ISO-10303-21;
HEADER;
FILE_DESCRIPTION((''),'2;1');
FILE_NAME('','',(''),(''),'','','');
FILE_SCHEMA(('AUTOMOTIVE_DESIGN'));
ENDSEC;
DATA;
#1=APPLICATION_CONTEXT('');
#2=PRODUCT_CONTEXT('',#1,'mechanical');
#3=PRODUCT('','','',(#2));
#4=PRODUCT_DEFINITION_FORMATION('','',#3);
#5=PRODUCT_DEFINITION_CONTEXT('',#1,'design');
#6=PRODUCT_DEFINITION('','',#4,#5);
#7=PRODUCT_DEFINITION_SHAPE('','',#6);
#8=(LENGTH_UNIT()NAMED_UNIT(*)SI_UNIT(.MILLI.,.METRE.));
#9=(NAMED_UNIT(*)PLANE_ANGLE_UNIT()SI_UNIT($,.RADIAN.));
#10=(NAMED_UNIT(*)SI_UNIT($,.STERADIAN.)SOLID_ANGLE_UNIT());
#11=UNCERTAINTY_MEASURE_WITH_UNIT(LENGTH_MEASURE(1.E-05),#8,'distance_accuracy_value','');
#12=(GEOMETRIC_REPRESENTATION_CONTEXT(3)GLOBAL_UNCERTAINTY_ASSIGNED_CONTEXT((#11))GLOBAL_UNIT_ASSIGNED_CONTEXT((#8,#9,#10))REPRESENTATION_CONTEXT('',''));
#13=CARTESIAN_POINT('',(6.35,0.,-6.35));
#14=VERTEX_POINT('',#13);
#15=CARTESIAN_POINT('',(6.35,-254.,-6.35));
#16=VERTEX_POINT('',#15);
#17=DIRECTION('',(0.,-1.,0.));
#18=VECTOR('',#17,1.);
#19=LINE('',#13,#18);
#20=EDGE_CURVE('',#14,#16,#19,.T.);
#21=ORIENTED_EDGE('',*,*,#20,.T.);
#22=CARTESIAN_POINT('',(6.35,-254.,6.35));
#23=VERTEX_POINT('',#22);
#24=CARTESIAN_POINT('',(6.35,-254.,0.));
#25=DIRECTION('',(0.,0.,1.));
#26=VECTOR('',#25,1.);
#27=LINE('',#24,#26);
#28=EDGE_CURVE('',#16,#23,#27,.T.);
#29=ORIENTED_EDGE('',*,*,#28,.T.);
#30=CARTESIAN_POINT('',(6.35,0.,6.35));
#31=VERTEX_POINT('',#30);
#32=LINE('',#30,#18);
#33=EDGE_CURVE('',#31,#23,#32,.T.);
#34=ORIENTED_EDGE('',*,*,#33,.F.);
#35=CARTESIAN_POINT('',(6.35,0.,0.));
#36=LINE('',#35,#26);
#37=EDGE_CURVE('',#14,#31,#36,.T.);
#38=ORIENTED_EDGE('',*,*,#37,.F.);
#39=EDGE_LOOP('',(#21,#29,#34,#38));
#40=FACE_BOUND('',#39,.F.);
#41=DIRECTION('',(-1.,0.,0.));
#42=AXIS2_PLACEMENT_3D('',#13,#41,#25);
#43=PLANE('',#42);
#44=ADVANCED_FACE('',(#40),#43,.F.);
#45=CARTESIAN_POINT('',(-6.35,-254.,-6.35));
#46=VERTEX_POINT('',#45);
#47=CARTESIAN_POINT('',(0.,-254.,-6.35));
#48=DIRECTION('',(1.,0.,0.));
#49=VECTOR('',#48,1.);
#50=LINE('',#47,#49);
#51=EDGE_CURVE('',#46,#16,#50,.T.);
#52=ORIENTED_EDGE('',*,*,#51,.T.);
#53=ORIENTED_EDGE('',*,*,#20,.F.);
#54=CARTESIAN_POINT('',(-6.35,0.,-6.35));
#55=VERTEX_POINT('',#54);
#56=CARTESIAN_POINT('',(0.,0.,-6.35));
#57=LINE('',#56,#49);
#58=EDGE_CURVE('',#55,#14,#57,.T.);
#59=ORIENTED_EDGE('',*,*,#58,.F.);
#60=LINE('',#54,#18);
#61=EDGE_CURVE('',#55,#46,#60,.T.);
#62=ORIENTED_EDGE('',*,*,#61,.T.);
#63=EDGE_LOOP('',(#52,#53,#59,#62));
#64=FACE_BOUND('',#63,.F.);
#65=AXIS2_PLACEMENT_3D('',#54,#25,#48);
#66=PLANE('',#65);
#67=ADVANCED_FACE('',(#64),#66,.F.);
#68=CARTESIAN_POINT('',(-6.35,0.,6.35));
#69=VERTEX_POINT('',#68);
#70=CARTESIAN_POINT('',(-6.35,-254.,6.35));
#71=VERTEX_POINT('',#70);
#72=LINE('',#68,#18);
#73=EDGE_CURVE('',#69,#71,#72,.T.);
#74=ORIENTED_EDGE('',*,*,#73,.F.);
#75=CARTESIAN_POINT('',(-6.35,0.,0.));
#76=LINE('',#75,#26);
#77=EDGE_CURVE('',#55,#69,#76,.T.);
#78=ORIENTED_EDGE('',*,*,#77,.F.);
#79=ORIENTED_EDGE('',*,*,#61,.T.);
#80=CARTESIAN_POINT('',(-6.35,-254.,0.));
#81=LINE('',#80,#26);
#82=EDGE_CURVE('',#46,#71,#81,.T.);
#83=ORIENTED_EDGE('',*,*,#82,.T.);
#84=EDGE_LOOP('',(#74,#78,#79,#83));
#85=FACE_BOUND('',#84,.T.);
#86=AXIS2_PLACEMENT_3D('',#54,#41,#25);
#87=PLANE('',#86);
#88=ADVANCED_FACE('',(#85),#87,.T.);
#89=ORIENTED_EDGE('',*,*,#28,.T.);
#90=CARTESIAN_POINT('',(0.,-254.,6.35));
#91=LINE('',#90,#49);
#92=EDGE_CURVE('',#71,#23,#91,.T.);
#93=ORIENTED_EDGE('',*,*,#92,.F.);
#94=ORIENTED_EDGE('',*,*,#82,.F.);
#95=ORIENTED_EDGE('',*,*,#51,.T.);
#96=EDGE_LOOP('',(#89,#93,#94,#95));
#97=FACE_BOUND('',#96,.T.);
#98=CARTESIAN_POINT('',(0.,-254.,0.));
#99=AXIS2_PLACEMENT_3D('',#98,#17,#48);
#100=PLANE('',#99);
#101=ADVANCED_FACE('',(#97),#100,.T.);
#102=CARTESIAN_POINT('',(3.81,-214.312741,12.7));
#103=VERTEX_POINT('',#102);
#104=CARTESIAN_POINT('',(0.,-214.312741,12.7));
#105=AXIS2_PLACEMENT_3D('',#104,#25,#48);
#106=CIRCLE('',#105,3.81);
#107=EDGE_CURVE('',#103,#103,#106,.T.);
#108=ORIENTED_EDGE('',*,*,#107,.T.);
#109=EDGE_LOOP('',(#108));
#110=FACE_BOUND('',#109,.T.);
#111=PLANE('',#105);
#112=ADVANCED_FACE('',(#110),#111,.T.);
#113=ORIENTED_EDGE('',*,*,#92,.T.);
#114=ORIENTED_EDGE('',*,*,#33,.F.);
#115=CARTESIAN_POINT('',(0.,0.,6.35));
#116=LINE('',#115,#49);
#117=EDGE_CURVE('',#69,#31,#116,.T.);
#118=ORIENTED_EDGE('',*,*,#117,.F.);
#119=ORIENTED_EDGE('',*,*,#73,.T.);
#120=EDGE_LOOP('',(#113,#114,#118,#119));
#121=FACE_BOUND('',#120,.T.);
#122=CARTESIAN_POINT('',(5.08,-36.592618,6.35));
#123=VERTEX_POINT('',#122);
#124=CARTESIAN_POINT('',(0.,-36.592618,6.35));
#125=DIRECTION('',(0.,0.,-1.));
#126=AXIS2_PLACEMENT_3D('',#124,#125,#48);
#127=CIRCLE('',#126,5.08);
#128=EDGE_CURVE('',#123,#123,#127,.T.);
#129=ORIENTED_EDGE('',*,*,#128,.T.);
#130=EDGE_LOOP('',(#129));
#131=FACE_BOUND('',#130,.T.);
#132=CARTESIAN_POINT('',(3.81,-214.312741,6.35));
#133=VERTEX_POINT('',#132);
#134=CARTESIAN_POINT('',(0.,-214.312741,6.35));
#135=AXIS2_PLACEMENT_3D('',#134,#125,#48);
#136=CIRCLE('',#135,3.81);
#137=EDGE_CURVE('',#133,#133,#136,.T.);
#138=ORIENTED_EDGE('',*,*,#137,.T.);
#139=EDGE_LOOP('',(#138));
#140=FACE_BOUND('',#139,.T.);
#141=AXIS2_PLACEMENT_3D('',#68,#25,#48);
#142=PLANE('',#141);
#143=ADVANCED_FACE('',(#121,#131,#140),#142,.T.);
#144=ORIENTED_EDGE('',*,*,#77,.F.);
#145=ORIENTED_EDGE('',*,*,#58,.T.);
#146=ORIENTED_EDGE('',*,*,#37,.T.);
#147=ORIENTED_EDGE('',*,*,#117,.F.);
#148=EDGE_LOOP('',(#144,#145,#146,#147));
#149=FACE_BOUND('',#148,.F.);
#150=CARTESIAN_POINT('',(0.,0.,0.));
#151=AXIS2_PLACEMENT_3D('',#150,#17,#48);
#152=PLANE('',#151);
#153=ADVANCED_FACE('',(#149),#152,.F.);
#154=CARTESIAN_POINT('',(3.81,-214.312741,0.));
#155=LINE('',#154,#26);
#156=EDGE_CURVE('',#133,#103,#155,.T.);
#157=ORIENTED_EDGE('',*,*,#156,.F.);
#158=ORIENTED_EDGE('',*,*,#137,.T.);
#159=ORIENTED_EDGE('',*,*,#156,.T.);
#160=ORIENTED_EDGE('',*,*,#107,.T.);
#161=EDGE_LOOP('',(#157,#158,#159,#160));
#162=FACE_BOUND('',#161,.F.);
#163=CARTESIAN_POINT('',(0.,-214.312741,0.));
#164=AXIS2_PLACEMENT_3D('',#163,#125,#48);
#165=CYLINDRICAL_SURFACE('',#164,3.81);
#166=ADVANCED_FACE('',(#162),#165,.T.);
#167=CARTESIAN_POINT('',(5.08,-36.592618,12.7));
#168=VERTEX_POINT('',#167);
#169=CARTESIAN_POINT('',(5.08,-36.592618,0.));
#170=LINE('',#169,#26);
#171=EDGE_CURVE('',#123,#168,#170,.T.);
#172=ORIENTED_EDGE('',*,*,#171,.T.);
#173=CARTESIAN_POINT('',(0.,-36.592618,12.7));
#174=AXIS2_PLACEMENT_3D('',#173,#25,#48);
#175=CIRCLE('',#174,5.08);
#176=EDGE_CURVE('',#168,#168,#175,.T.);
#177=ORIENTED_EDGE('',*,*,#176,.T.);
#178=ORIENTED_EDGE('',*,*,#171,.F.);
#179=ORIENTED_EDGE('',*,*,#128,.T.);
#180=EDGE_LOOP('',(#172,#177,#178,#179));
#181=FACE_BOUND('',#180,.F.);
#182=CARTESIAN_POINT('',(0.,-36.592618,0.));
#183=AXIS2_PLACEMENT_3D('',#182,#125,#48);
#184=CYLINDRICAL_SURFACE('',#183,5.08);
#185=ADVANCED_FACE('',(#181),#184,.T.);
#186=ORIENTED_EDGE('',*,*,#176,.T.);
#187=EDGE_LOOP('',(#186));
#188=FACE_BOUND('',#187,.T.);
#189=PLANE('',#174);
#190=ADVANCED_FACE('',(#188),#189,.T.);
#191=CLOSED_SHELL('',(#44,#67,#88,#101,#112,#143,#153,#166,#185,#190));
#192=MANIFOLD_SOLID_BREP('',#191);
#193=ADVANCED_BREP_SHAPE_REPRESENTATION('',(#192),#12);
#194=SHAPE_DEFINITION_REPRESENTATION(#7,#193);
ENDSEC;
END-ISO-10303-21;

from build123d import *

# Parameters (mm, degrees)
F0_W     = 12.7
F0_H     = 12.7
F1_DEPTH = 254
F2_R     = 5.08
F2_R_2   = 3.81
F3_DEPTH = 12.7


with BuildPart() as f1:
    # F0 (on Front) → F1 (new body)
    with BuildSketch(Plane.XZ):
        Rectangle(F0_W, F0_H)
    extrude(amount=F1_DEPTH)

    # F2 (on Top) → F3 (join)
    with BuildSketch(Plane.XY):
        with Locations((0, -36.592617631)):
            Circle(F2_R)
        with Locations((0, -214.3127407558)):
            Circle(F2_R_2)
    extrude(amount=F3_DEPTH)


solid = f1.part
